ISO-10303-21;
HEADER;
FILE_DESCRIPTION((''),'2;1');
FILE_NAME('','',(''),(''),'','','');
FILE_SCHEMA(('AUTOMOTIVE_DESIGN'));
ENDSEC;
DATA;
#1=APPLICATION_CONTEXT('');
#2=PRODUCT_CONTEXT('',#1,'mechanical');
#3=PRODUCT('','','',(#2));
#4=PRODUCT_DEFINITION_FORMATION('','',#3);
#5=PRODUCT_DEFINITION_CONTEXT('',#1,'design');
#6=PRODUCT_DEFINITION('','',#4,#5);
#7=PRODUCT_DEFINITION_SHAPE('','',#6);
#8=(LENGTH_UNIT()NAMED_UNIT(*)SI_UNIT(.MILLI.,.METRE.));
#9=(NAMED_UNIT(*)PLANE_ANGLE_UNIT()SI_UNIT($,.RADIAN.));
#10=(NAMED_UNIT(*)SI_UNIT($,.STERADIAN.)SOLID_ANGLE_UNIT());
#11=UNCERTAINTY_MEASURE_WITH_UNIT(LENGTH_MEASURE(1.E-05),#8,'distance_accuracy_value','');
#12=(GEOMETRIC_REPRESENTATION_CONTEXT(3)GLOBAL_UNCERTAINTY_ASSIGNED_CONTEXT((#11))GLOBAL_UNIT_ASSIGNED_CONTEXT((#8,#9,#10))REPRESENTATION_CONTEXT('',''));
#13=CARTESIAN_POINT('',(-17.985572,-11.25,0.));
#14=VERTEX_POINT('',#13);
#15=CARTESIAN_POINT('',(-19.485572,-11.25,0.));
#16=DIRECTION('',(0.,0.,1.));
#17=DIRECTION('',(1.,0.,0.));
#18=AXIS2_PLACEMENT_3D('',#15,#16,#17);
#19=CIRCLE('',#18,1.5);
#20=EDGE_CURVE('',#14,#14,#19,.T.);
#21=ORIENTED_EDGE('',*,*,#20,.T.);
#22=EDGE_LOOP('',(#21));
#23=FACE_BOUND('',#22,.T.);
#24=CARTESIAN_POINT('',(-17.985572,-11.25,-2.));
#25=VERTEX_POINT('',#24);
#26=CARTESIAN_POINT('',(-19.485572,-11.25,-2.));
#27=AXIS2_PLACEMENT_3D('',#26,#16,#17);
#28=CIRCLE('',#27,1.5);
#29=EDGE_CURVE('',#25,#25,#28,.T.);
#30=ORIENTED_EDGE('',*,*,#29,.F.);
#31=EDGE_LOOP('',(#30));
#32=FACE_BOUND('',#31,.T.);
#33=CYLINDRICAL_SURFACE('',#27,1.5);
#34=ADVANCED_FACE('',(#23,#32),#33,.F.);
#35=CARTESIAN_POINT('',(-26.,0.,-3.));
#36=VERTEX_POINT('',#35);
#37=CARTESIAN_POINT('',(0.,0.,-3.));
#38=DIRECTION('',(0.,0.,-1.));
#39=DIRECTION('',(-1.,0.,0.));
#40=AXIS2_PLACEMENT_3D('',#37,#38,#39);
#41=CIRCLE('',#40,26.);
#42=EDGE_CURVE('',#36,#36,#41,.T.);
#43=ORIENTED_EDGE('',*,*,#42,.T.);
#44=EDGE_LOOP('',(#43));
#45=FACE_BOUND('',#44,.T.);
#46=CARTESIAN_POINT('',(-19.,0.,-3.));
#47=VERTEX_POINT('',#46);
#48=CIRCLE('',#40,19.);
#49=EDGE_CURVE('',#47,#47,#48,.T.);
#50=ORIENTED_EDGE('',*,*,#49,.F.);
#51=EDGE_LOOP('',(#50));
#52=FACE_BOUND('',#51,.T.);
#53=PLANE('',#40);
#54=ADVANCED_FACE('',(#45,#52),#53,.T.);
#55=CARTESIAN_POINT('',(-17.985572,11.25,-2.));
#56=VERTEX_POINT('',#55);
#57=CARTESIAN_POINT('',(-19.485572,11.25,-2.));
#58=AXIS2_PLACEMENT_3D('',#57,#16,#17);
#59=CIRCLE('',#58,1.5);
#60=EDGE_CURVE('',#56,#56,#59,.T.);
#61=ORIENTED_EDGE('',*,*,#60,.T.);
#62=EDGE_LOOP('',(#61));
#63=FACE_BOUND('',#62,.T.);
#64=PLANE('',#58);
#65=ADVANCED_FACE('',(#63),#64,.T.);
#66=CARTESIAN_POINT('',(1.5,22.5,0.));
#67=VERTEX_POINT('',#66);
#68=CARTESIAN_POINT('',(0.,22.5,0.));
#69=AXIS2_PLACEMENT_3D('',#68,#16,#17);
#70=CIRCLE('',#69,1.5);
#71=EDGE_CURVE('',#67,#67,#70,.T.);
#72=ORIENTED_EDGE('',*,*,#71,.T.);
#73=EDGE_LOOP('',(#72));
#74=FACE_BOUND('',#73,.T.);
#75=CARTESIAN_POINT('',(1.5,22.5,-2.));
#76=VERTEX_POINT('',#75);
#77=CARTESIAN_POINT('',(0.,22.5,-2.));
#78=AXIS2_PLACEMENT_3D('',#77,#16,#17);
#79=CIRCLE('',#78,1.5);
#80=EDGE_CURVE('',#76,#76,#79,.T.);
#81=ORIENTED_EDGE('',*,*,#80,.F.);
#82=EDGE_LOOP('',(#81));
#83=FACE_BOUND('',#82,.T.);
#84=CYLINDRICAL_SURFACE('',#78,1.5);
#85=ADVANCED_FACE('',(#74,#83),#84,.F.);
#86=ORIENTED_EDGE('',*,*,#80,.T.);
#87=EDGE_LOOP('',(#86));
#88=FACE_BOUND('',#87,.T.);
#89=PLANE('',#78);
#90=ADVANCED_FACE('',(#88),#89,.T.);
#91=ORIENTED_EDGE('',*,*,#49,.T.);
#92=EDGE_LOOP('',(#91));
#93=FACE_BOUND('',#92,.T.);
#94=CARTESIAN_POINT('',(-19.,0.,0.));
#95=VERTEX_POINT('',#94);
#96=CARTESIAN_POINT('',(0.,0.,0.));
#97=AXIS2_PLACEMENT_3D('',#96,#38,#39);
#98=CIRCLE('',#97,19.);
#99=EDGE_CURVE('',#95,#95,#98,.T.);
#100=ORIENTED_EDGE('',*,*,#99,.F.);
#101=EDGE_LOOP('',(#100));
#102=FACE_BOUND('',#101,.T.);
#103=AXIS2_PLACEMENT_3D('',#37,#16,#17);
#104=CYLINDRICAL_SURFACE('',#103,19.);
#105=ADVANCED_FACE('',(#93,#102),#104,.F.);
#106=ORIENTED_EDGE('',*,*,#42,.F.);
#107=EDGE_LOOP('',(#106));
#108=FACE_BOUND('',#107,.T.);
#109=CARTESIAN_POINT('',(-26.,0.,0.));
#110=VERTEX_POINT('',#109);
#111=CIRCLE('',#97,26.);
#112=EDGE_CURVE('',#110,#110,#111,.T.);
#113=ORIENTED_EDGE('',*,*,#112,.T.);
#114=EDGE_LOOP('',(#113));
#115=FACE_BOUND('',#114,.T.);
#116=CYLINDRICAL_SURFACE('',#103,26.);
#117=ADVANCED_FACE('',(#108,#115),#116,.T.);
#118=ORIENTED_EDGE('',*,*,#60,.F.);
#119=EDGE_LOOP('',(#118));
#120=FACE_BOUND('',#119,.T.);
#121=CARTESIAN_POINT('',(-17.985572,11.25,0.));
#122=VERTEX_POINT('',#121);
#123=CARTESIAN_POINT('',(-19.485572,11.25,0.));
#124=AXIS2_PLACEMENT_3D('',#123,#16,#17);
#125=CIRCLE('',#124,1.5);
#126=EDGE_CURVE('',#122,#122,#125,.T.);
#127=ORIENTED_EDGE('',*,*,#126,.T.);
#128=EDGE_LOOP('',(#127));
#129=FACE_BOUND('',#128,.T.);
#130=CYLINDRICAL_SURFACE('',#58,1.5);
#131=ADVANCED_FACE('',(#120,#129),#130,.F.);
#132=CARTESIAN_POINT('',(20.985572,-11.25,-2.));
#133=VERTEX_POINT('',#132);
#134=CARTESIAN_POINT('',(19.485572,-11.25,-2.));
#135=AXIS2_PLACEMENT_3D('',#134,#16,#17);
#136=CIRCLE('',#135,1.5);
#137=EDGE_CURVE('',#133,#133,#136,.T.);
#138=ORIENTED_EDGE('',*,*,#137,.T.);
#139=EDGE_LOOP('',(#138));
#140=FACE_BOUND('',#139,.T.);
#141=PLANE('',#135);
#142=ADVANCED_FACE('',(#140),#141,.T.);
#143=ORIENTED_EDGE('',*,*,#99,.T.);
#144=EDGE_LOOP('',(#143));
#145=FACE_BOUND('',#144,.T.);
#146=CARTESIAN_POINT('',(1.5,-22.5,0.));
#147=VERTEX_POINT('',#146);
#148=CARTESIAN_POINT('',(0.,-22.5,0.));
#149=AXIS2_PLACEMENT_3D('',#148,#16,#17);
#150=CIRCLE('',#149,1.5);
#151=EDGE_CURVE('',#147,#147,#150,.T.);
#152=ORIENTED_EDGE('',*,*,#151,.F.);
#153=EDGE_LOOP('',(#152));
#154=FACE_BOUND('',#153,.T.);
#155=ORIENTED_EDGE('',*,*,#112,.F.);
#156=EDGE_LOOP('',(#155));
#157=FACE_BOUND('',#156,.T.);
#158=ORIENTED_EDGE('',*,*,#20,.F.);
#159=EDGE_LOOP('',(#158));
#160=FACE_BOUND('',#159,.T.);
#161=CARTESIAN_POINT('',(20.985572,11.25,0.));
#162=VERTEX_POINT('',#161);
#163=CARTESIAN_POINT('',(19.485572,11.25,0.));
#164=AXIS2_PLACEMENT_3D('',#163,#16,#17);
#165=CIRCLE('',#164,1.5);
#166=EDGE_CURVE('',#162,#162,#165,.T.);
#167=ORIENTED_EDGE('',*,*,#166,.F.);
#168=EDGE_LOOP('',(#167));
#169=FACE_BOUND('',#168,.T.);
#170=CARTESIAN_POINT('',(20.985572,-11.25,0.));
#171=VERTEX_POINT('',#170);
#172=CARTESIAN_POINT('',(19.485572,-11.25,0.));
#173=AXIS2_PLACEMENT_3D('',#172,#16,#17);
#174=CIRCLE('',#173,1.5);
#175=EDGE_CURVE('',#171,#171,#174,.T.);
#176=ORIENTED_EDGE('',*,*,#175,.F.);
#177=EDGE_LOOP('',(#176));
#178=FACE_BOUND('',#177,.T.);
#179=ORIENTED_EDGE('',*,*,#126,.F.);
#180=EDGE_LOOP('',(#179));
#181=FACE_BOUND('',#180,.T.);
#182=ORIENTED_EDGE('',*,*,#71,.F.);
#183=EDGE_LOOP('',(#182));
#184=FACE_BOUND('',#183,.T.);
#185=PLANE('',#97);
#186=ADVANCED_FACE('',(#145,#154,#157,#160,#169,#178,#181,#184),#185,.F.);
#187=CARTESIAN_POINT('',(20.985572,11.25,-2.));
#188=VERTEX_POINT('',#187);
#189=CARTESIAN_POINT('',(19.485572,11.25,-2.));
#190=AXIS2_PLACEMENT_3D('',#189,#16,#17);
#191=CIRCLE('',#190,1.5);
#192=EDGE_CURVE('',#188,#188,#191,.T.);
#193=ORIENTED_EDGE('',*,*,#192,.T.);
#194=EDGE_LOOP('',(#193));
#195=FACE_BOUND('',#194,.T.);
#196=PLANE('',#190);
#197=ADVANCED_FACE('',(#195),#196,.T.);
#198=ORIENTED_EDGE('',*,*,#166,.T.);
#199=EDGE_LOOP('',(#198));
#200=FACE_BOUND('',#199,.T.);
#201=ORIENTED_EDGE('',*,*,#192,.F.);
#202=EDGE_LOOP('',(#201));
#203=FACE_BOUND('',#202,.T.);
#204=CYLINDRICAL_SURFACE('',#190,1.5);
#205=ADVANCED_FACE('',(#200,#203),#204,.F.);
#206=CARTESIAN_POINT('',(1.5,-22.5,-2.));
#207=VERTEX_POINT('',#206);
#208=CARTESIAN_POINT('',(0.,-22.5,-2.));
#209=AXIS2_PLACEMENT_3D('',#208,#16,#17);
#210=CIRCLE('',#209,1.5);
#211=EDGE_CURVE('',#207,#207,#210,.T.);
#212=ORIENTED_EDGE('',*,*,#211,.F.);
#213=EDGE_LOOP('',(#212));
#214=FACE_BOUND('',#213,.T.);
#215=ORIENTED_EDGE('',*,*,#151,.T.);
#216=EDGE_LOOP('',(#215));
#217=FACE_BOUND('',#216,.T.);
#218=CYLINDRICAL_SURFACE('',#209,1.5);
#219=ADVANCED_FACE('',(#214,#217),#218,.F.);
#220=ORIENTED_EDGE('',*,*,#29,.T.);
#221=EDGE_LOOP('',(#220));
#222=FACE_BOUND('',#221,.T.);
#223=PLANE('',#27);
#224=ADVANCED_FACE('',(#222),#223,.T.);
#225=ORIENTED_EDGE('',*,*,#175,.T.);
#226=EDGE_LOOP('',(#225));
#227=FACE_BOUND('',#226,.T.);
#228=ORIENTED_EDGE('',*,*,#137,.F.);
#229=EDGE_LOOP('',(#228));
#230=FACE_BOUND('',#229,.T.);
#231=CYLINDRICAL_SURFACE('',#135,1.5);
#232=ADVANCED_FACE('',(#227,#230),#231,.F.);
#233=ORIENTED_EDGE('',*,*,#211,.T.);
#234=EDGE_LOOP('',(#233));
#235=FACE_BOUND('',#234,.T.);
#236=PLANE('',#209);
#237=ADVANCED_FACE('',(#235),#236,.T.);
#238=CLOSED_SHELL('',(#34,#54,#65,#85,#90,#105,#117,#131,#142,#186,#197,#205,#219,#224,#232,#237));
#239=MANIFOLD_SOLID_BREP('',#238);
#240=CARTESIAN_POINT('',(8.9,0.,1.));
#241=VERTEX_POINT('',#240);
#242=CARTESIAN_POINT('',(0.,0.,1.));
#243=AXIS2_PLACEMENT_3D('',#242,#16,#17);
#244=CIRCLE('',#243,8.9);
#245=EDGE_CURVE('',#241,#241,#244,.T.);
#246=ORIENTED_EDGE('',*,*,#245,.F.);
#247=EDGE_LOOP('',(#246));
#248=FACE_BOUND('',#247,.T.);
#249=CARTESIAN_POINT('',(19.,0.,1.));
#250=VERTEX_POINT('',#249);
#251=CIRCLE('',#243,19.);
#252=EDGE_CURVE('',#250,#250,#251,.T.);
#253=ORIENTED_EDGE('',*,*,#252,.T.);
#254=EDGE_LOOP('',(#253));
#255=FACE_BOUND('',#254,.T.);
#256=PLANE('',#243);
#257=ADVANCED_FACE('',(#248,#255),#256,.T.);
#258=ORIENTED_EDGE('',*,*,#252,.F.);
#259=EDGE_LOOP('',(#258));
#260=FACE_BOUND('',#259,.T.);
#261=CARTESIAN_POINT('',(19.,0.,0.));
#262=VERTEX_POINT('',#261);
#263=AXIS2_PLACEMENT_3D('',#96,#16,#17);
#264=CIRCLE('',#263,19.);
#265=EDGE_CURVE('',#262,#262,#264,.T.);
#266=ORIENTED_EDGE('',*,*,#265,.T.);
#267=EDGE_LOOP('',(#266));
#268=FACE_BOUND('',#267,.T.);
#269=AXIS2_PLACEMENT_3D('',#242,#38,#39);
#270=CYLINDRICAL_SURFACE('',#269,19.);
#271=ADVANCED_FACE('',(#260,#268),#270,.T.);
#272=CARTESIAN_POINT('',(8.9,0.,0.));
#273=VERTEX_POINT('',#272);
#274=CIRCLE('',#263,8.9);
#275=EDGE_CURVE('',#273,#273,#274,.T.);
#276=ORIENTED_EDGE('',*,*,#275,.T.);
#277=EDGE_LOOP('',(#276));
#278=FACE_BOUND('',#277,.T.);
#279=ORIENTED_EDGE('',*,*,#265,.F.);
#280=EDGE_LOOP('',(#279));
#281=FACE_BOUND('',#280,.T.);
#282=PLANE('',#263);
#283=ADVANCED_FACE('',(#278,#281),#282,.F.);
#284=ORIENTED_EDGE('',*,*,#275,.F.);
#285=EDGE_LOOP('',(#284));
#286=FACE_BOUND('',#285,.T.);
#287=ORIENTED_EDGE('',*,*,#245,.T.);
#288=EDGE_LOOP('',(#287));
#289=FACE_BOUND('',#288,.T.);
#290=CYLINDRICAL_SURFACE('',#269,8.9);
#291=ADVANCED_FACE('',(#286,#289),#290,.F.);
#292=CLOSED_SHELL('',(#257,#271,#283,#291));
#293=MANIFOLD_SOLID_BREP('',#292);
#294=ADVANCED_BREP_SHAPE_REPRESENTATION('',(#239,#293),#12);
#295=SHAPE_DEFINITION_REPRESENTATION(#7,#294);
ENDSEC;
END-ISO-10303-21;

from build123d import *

# Parameters (mm, degrees)
CROQUIS1_R              = 19
CROQUIS1_R_2            = 8.9
SALIENTE_EXTRUIR1_DEPTH = 1
CROQUIS2_R              = 26
CROQUIS2_R_2            = 19
SALIENTE_EXTRUIR2_DEPTH = 3
CROQUIS3_R              = 1.5
CORTAR_EXTRUIR1_DEPTH   = 2


with BuildPart() as part:
    # Croquis1 → Saliente-Extruir1 (new body)
    with BuildSketch(Plane.XY):
        Circle(CROQUIS1_R)
        Circle(CROQUIS1_R_2, mode=Mode.SUBTRACT)
    extrude(amount=SALIENTE_EXTRUIR1_DEPTH)


with BuildPart() as body_2:
    # Croquis2 → Saliente-Extruir2 (new body)
    with BuildSketch(Plane(origin=(0, 0, 0), x_dir=(-1, 0, 0), z_dir=(0, 0, -1))):
        Circle(CROQUIS2_R)
        Circle(CROQUIS2_R_2, mode=Mode.SUBTRACT)
    extrude(amount=SALIENTE_EXTRUIR2_DEPTH)

    # Croquis3 → Cortar-Extruir1 (cut)
    with BuildSketch(Plane.XY):
        with Locations((0, 22.5)):
            Circle(CROQUIS3_R)
        with Locations((19.485571585, 11.25)):
            Circle(CROQUIS3_R)
        with Locations((19.485571585, -11.25)):
            Circle(CROQUIS3_R)
        with Locations((0, -22.5)):
            Circle(CROQUIS3_R)
        with Locations((-19.485571585, -11.25)):
            Circle(CROQUIS3_R)
        with Locations((-19.485571585, 11.25)):
            Circle(CROQUIS3_R)
    extrude(amount=-CORTAR_EXTRUIR1_DEPTH, mode=Mode.SUBTRACT)


solid = Compound([part.part, body_2.part])
